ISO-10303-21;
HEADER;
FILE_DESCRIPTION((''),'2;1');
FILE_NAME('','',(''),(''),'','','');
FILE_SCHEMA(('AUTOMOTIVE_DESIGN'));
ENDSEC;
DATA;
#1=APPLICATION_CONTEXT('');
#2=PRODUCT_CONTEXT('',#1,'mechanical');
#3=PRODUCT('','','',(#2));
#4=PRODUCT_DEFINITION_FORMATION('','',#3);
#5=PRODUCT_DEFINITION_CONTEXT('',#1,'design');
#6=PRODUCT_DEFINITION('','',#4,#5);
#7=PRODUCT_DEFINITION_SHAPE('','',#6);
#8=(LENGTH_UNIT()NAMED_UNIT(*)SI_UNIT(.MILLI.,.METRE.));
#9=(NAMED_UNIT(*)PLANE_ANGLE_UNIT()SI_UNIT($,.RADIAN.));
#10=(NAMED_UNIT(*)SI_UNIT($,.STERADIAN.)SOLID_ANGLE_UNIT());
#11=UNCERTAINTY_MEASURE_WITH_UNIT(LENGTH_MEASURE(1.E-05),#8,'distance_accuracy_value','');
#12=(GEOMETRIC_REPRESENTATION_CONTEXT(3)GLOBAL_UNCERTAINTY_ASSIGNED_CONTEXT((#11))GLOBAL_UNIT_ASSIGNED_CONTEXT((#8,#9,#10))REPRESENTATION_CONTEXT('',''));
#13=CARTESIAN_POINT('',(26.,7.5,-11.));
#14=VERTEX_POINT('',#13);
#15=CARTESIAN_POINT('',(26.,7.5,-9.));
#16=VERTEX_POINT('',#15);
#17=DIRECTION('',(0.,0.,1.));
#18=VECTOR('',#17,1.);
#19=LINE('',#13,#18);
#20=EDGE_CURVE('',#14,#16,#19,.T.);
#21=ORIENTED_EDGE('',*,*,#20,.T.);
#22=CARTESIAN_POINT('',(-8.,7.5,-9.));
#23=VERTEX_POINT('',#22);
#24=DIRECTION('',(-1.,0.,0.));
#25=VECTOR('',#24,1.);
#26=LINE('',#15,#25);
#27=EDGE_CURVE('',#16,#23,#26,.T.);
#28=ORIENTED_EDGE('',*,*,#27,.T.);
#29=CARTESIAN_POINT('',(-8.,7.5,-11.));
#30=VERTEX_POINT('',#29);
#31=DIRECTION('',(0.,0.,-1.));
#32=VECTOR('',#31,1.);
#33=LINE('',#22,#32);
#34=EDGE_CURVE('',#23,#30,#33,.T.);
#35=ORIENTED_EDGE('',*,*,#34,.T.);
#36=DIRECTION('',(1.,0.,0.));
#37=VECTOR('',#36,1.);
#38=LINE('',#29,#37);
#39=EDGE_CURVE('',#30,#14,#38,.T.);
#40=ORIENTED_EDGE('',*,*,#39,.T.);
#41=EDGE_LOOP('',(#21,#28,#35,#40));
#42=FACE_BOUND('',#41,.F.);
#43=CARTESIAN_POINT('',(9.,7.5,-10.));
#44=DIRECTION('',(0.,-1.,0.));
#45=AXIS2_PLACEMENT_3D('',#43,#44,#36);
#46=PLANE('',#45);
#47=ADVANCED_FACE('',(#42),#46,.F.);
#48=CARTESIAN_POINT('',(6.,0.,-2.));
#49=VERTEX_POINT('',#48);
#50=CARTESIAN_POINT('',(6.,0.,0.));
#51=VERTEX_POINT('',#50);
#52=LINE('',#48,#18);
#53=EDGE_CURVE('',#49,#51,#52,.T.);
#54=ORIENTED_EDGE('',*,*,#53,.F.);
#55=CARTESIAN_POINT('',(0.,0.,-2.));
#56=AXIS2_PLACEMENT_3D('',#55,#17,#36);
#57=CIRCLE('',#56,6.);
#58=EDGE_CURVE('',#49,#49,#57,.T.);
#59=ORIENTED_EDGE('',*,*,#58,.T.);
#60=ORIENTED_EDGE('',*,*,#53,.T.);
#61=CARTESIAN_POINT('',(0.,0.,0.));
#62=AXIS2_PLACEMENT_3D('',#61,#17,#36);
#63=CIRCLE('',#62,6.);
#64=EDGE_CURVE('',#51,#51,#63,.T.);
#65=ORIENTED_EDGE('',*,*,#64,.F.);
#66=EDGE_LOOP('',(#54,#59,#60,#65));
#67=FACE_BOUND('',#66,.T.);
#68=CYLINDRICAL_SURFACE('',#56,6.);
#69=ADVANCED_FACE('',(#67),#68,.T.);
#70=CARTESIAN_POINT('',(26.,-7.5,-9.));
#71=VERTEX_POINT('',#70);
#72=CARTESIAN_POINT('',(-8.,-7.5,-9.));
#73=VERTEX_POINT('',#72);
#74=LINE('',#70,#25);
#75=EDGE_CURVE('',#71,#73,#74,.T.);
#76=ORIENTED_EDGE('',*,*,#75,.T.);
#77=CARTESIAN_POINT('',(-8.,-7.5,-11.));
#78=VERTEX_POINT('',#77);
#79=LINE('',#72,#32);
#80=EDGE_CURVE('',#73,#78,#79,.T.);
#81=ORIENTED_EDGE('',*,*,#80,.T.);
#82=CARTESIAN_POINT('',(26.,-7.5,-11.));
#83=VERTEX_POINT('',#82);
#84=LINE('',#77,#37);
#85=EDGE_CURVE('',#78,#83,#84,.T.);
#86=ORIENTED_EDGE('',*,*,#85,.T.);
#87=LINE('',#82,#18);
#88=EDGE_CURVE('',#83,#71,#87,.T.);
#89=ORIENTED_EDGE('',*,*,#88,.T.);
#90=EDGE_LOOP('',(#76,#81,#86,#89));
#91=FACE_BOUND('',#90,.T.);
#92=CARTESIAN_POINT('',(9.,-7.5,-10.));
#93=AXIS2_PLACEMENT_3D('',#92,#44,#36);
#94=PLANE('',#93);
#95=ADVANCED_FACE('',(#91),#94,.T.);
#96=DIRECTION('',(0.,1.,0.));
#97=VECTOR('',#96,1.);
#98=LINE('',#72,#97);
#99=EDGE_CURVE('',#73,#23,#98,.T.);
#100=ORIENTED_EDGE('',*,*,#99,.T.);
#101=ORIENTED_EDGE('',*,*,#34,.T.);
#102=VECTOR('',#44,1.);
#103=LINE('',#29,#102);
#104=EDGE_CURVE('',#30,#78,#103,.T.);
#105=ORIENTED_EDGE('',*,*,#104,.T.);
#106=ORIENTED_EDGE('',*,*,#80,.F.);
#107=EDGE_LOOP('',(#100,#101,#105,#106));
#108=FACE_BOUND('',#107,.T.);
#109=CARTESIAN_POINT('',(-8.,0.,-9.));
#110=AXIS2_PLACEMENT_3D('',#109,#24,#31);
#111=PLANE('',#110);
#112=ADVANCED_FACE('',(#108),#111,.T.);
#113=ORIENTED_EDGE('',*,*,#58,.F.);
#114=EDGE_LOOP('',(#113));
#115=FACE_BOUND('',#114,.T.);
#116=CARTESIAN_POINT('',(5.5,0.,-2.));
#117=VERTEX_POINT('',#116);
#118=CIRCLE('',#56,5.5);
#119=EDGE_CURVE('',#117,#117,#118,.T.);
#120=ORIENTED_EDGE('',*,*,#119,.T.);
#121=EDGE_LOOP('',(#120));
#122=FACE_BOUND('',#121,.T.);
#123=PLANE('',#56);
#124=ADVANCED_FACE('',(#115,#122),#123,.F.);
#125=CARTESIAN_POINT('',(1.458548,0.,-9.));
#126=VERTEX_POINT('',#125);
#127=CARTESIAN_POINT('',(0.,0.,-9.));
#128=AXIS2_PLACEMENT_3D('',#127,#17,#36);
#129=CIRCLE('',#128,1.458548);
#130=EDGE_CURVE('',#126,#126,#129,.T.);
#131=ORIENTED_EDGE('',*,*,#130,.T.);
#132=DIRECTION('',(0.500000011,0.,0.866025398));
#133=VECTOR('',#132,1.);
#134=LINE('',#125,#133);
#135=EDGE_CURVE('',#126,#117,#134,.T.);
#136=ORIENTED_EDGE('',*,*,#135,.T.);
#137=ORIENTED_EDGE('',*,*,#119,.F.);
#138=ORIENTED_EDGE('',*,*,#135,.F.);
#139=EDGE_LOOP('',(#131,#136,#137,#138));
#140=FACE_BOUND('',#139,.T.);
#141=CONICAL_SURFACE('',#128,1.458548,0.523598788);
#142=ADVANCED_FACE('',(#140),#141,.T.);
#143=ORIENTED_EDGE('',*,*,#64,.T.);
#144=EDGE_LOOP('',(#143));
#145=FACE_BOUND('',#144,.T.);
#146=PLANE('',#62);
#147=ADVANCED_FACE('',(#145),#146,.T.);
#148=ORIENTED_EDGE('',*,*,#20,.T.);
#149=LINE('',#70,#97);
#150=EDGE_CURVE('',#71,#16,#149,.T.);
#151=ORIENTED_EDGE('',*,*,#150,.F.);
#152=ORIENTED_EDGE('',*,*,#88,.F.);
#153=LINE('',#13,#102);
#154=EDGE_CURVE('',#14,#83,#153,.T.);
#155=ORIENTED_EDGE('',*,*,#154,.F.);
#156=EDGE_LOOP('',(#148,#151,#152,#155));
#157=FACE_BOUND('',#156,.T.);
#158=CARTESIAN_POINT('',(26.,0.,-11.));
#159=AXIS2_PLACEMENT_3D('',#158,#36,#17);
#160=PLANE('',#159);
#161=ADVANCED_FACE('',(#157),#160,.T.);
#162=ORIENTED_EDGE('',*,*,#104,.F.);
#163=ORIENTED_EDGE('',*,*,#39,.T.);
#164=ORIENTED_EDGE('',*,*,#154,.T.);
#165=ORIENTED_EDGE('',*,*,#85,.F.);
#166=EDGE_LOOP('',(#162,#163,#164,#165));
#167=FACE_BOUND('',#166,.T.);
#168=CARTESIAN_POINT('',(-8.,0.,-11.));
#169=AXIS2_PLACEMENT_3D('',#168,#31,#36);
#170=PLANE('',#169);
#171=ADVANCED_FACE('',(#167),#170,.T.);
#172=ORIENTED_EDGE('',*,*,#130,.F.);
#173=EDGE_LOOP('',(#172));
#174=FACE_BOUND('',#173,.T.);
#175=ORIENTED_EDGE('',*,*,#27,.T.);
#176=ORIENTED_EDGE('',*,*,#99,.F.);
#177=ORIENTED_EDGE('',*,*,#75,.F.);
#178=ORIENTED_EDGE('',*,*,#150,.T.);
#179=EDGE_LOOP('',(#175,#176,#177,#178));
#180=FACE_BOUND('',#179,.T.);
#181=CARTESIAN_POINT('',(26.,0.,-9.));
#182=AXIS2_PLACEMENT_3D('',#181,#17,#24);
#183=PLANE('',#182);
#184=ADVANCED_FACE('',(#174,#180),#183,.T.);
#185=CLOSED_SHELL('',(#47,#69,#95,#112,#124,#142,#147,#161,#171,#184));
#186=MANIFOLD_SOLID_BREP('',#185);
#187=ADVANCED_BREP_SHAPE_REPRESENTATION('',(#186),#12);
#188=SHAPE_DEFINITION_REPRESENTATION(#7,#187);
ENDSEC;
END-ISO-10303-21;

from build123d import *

# Parameters (mm, degrees)
F2_DEPTH = 7.5


with BuildPart() as f1:
    # F0 (on Front) → F1 (revolve)
    with BuildSketch(Plane.XZ):
        Polygon((6, 0), (0, 0), (0, -2), (5.5, -2), (6, -2), align=None)
        Polygon((5.5, -2), (0, -2), (0, -9), (1.458548, -9), align=None)
    revolve(axis=Axis((0, 0, -5.5), (0, 0, 1)))

    # F0 (on Front) → F2 (join, symmetric)
    with BuildSketch(Plane.XZ):
        Polygon((1.458548, -9), (0, -9), (-8, -9), (-8, -11), (26, -11), (26, -9), align=None)
    extrude(amount=F2_DEPTH, both=True)


solid = f1.part
